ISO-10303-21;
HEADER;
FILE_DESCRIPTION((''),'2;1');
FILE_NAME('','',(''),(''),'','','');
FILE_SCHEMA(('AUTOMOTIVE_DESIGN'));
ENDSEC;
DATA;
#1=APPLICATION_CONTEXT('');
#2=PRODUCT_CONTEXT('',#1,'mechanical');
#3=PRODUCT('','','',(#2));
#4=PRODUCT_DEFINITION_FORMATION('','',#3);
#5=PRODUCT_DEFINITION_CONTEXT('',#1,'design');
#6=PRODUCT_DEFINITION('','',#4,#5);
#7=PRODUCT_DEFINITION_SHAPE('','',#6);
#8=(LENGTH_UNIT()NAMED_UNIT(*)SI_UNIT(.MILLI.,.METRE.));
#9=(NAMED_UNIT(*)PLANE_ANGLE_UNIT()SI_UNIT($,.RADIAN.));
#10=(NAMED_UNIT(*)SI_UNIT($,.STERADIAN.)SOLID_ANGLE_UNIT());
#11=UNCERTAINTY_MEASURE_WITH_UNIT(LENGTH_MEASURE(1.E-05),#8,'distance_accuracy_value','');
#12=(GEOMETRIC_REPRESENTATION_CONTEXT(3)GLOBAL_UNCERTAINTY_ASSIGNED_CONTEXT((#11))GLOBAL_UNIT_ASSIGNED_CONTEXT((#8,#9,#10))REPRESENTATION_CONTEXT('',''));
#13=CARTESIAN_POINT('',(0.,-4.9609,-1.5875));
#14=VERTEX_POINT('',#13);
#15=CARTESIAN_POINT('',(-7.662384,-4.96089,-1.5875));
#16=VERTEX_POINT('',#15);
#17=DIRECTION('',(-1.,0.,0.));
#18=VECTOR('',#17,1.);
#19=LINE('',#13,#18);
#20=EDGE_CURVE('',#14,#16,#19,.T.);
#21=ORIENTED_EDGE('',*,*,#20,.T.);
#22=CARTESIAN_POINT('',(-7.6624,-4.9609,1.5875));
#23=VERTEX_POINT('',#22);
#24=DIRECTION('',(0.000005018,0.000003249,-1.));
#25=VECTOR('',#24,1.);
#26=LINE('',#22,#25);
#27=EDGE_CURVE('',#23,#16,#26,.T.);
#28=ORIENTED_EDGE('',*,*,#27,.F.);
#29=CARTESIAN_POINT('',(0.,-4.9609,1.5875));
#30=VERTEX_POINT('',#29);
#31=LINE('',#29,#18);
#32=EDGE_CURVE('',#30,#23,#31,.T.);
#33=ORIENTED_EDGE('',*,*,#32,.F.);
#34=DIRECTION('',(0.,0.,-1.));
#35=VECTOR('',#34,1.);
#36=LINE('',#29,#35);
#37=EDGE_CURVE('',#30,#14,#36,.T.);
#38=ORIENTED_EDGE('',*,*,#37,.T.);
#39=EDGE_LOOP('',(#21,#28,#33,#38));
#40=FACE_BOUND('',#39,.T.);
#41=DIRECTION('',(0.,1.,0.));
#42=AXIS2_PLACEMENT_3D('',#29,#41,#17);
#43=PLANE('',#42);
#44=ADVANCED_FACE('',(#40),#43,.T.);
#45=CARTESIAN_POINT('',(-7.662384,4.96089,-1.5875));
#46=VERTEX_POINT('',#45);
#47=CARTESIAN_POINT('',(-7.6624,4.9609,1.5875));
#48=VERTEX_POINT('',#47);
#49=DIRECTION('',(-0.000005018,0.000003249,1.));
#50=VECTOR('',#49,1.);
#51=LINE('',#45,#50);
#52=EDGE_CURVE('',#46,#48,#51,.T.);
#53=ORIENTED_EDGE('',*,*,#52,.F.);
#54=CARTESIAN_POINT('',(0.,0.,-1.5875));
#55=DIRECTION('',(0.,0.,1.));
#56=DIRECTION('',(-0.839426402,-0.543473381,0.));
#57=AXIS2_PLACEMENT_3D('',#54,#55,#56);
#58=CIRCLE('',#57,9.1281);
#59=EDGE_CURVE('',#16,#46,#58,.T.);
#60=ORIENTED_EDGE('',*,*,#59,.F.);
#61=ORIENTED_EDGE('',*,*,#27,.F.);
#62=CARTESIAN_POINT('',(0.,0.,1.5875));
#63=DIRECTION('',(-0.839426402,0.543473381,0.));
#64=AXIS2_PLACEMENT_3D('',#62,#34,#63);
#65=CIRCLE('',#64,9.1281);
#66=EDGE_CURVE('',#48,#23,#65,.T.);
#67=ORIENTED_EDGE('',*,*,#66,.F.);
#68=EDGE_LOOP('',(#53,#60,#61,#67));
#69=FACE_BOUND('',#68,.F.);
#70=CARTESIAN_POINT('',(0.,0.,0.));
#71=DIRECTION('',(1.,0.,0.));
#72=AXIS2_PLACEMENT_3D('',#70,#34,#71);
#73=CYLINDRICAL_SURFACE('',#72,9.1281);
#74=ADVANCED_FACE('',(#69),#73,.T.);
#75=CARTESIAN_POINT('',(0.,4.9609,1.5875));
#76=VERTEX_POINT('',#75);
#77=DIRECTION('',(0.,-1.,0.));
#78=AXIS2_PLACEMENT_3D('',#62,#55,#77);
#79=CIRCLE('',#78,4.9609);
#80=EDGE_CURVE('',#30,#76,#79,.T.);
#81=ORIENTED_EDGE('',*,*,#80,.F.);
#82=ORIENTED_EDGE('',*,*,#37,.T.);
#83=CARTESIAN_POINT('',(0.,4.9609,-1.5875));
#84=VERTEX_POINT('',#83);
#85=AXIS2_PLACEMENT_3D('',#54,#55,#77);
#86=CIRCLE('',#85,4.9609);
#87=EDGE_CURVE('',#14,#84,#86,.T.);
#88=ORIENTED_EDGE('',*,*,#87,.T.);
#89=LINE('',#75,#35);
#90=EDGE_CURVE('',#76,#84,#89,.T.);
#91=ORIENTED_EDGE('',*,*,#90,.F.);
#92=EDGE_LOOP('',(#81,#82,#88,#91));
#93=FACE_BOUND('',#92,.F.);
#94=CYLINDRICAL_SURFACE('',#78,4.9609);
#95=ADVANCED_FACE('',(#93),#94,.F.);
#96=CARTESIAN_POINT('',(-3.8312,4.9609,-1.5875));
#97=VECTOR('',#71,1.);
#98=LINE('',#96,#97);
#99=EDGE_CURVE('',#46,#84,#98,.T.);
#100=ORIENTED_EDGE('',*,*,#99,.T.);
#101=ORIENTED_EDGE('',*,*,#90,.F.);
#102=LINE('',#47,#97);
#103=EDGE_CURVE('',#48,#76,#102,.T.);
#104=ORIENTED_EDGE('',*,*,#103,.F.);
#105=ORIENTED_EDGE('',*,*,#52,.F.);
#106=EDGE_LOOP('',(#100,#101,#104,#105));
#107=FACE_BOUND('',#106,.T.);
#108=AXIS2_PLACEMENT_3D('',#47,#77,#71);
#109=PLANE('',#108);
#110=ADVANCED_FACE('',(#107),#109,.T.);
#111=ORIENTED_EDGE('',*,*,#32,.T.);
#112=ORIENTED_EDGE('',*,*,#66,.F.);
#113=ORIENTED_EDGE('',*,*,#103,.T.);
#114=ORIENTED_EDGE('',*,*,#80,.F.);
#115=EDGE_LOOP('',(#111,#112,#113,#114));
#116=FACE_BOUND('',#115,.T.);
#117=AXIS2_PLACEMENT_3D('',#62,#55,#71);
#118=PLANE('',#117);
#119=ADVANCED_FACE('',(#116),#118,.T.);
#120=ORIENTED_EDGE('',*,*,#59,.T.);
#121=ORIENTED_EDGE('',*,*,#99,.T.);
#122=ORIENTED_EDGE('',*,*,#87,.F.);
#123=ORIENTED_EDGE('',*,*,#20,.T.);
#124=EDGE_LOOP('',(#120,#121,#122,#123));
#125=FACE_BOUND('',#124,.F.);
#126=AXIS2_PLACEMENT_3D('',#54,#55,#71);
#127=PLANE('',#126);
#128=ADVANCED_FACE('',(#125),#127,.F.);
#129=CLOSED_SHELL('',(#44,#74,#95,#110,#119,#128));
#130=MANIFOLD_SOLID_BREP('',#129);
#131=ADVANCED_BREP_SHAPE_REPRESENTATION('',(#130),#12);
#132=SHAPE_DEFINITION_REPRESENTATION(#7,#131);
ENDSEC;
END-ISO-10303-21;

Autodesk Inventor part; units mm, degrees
ref_plane "YZ Plane" through (0, 0, 0) normal (1, 0, 0) x (0, 1, 0)
ref_plane "XZ Plane" through (0, 0, 0) normal (0, 1, 0) x (-1, 0, 0)
ref_plane "XY Plane" through (0, 0, 0) normal (0, 0, 1) x (1, 0, 0)
sketch "Sketch1" plane through (0, 0, 0) normal (0, 0, 1) x (1, 0, 0)
  circle A0 centre (0, 0) radius 9.1281
  dimension "d0" = 18.2563
extrude "Extrusion1" add sketch "Sketch1" along normal mid plane 3.175
sketch "Sketch2" plane through (0, 0, 1.5875) normal (0, 0, 1) x (1, 0, 0)
  circle A0 centre (0, 0) radius 9.1281 projected
  line L0 (-7.6624, 4.9609) -> (0, 4.9609)
  arc A1 (0, -4.9609) -> (0, 4.9609) centre (0, 0) ccw
  line L1 (0, -4.9609) -> (-7.6624, -4.9609)
  dimension "d4" = 9.9219
extrude "Extrusion2" cut sketch "Sketch2" against normal through all contours L0 A1 L1 A0 picked at (-3.0226, 0.3489)
properties part number "Special_Key" material "Steel, Mild"
